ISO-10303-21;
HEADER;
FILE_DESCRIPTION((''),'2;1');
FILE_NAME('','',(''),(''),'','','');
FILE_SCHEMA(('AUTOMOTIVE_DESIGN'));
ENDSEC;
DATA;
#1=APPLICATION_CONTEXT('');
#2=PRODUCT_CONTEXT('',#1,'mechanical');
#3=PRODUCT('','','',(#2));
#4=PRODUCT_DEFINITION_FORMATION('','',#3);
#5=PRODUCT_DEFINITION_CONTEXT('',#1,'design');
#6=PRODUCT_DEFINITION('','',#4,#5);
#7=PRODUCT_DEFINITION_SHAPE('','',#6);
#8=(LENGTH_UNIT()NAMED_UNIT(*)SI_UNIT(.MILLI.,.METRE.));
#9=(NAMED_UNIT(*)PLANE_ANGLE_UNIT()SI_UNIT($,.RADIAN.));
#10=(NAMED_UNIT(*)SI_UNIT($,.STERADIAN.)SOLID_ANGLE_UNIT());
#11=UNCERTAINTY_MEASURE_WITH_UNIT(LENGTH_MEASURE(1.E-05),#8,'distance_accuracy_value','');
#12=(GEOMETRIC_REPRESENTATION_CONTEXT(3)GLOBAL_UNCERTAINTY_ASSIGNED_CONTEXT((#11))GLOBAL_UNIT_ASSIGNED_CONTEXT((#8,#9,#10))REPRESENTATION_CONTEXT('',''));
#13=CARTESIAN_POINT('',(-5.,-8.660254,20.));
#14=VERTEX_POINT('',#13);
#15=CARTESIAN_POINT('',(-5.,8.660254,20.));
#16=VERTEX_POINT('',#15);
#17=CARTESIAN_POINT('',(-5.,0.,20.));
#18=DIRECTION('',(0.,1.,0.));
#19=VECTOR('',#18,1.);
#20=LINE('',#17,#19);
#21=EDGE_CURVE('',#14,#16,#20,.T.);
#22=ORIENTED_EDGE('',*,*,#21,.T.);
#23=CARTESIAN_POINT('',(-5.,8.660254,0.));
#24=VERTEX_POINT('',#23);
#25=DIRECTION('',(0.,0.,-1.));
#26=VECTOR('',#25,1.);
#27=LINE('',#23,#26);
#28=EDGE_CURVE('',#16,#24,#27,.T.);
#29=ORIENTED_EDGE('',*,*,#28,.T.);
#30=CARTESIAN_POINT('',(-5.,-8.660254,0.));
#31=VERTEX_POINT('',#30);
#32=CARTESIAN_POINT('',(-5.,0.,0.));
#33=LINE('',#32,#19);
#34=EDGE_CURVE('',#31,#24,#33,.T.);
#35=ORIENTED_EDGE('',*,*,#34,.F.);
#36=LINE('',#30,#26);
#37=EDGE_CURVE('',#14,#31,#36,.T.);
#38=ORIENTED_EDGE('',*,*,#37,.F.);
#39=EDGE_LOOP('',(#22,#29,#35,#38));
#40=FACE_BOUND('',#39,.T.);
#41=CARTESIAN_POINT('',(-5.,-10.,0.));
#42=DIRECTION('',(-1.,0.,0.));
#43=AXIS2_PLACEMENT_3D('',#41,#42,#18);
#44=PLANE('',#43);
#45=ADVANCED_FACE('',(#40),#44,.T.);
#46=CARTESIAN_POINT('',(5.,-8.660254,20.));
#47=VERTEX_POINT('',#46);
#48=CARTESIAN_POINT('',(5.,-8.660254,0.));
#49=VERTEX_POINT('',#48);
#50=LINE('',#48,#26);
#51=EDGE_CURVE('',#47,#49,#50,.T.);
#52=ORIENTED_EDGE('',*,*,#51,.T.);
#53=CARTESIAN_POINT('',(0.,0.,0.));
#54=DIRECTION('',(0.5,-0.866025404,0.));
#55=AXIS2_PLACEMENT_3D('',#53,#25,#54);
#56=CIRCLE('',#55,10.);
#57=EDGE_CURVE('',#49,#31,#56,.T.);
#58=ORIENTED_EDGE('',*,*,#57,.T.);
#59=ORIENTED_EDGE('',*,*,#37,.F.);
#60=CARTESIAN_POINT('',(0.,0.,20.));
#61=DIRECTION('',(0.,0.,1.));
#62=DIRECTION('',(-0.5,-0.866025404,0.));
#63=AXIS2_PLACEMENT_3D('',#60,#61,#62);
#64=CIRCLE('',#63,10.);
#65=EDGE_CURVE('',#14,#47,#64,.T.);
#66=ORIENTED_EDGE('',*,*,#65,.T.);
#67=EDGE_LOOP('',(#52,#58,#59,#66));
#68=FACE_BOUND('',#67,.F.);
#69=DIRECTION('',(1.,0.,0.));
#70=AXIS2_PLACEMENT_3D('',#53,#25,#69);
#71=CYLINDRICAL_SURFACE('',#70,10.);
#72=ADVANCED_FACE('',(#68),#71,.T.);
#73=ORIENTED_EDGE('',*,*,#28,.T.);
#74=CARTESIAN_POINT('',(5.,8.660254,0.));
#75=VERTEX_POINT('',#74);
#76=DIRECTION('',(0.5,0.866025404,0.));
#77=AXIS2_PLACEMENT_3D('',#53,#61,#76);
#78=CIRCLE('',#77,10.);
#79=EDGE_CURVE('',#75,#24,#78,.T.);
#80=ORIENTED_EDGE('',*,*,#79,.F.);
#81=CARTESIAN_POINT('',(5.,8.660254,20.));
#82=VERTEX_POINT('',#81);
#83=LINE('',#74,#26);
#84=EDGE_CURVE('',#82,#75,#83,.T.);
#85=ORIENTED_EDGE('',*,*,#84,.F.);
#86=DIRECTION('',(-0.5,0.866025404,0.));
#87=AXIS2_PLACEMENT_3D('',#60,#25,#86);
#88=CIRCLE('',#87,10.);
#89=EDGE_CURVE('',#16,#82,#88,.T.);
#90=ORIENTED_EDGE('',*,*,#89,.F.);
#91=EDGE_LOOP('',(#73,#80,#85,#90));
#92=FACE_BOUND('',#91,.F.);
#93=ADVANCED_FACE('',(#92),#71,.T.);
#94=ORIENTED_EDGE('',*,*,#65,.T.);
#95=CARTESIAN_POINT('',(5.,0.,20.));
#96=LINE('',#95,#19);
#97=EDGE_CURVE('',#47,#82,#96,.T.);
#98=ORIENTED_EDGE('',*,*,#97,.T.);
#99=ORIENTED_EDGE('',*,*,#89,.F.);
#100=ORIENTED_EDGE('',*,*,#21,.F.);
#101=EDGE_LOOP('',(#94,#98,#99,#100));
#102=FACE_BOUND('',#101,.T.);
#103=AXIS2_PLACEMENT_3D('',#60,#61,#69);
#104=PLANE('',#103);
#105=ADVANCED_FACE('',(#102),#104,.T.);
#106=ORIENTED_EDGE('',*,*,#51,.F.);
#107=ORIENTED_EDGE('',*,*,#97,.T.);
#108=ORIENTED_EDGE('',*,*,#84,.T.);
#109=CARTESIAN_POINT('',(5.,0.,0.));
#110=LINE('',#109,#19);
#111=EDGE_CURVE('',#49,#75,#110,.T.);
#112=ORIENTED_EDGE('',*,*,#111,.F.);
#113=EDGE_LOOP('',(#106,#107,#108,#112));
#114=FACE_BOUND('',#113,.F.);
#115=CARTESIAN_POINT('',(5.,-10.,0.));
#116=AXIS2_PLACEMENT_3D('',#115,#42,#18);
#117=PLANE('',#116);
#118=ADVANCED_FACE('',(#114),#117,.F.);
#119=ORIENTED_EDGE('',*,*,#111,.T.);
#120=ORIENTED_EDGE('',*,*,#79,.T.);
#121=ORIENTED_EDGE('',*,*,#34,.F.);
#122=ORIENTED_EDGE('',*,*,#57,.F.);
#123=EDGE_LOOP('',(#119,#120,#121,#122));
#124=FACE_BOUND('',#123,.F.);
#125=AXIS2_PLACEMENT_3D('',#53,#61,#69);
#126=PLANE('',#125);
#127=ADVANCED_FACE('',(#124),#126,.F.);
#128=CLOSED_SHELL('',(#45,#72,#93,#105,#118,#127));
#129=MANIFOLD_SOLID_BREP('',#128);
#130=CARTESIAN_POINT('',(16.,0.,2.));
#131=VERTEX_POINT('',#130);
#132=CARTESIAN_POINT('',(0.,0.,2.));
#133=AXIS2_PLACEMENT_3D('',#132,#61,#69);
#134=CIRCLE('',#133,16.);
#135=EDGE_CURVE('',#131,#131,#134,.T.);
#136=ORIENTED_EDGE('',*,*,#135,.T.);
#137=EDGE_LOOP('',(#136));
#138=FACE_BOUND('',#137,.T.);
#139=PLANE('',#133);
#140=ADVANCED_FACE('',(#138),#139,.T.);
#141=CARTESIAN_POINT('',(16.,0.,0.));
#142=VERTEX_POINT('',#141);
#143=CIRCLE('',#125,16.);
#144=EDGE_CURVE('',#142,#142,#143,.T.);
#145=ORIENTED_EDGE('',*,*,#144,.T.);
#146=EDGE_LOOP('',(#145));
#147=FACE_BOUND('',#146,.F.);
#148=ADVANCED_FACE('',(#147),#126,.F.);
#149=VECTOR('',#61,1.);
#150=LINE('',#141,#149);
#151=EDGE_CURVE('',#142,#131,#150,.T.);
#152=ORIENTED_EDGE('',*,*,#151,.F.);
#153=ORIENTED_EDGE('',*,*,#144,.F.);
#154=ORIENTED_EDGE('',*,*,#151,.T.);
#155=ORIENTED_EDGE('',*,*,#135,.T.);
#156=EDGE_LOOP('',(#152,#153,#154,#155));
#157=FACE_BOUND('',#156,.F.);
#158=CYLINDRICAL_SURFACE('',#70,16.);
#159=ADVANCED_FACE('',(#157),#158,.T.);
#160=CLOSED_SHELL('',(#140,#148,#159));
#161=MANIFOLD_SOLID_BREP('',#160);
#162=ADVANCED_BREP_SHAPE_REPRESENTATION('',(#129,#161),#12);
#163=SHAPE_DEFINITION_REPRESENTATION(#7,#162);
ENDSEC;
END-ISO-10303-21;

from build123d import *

# Parameters (mm, degrees)
BOX_W             = 10
BOX_H             = 20
BOX_DEPTH         = 20
CYLINDER002_R     = 10
CYLINDER002_DEPTH = 20
CYLINDER_R        = 16
CYLINDER_DEPTH    = 2


with BuildPart() as box:
    # Box → Box (new body)
    with BuildSketch(Plane(origin=(-5, -10, 0), x_dir=(1, 0, 0), z_dir=(0, 0, 1))):
        with Locations((5, 10)):
            Rectangle(BOX_W, BOX_H)
    extrude(amount=BOX_DEPTH)


with BuildPart() as common:
    # Cylinder002 → Cylinder002 (new body)
    with BuildSketch(Plane.XY):
        Circle(CYLINDER002_R)
    extrude(amount=CYLINDER002_DEPTH)

    # Common: intersect Box
    add(box.part, mode=Mode.INTERSECT)


with BuildPart() as cylinder:
    # Cylinder → Cylinder (new body)
    with BuildSketch(Plane.XY):
        Circle(CYLINDER_R)
    extrude(amount=CYLINDER_DEPTH)


solid = Compound([common.part, cylinder.part])
